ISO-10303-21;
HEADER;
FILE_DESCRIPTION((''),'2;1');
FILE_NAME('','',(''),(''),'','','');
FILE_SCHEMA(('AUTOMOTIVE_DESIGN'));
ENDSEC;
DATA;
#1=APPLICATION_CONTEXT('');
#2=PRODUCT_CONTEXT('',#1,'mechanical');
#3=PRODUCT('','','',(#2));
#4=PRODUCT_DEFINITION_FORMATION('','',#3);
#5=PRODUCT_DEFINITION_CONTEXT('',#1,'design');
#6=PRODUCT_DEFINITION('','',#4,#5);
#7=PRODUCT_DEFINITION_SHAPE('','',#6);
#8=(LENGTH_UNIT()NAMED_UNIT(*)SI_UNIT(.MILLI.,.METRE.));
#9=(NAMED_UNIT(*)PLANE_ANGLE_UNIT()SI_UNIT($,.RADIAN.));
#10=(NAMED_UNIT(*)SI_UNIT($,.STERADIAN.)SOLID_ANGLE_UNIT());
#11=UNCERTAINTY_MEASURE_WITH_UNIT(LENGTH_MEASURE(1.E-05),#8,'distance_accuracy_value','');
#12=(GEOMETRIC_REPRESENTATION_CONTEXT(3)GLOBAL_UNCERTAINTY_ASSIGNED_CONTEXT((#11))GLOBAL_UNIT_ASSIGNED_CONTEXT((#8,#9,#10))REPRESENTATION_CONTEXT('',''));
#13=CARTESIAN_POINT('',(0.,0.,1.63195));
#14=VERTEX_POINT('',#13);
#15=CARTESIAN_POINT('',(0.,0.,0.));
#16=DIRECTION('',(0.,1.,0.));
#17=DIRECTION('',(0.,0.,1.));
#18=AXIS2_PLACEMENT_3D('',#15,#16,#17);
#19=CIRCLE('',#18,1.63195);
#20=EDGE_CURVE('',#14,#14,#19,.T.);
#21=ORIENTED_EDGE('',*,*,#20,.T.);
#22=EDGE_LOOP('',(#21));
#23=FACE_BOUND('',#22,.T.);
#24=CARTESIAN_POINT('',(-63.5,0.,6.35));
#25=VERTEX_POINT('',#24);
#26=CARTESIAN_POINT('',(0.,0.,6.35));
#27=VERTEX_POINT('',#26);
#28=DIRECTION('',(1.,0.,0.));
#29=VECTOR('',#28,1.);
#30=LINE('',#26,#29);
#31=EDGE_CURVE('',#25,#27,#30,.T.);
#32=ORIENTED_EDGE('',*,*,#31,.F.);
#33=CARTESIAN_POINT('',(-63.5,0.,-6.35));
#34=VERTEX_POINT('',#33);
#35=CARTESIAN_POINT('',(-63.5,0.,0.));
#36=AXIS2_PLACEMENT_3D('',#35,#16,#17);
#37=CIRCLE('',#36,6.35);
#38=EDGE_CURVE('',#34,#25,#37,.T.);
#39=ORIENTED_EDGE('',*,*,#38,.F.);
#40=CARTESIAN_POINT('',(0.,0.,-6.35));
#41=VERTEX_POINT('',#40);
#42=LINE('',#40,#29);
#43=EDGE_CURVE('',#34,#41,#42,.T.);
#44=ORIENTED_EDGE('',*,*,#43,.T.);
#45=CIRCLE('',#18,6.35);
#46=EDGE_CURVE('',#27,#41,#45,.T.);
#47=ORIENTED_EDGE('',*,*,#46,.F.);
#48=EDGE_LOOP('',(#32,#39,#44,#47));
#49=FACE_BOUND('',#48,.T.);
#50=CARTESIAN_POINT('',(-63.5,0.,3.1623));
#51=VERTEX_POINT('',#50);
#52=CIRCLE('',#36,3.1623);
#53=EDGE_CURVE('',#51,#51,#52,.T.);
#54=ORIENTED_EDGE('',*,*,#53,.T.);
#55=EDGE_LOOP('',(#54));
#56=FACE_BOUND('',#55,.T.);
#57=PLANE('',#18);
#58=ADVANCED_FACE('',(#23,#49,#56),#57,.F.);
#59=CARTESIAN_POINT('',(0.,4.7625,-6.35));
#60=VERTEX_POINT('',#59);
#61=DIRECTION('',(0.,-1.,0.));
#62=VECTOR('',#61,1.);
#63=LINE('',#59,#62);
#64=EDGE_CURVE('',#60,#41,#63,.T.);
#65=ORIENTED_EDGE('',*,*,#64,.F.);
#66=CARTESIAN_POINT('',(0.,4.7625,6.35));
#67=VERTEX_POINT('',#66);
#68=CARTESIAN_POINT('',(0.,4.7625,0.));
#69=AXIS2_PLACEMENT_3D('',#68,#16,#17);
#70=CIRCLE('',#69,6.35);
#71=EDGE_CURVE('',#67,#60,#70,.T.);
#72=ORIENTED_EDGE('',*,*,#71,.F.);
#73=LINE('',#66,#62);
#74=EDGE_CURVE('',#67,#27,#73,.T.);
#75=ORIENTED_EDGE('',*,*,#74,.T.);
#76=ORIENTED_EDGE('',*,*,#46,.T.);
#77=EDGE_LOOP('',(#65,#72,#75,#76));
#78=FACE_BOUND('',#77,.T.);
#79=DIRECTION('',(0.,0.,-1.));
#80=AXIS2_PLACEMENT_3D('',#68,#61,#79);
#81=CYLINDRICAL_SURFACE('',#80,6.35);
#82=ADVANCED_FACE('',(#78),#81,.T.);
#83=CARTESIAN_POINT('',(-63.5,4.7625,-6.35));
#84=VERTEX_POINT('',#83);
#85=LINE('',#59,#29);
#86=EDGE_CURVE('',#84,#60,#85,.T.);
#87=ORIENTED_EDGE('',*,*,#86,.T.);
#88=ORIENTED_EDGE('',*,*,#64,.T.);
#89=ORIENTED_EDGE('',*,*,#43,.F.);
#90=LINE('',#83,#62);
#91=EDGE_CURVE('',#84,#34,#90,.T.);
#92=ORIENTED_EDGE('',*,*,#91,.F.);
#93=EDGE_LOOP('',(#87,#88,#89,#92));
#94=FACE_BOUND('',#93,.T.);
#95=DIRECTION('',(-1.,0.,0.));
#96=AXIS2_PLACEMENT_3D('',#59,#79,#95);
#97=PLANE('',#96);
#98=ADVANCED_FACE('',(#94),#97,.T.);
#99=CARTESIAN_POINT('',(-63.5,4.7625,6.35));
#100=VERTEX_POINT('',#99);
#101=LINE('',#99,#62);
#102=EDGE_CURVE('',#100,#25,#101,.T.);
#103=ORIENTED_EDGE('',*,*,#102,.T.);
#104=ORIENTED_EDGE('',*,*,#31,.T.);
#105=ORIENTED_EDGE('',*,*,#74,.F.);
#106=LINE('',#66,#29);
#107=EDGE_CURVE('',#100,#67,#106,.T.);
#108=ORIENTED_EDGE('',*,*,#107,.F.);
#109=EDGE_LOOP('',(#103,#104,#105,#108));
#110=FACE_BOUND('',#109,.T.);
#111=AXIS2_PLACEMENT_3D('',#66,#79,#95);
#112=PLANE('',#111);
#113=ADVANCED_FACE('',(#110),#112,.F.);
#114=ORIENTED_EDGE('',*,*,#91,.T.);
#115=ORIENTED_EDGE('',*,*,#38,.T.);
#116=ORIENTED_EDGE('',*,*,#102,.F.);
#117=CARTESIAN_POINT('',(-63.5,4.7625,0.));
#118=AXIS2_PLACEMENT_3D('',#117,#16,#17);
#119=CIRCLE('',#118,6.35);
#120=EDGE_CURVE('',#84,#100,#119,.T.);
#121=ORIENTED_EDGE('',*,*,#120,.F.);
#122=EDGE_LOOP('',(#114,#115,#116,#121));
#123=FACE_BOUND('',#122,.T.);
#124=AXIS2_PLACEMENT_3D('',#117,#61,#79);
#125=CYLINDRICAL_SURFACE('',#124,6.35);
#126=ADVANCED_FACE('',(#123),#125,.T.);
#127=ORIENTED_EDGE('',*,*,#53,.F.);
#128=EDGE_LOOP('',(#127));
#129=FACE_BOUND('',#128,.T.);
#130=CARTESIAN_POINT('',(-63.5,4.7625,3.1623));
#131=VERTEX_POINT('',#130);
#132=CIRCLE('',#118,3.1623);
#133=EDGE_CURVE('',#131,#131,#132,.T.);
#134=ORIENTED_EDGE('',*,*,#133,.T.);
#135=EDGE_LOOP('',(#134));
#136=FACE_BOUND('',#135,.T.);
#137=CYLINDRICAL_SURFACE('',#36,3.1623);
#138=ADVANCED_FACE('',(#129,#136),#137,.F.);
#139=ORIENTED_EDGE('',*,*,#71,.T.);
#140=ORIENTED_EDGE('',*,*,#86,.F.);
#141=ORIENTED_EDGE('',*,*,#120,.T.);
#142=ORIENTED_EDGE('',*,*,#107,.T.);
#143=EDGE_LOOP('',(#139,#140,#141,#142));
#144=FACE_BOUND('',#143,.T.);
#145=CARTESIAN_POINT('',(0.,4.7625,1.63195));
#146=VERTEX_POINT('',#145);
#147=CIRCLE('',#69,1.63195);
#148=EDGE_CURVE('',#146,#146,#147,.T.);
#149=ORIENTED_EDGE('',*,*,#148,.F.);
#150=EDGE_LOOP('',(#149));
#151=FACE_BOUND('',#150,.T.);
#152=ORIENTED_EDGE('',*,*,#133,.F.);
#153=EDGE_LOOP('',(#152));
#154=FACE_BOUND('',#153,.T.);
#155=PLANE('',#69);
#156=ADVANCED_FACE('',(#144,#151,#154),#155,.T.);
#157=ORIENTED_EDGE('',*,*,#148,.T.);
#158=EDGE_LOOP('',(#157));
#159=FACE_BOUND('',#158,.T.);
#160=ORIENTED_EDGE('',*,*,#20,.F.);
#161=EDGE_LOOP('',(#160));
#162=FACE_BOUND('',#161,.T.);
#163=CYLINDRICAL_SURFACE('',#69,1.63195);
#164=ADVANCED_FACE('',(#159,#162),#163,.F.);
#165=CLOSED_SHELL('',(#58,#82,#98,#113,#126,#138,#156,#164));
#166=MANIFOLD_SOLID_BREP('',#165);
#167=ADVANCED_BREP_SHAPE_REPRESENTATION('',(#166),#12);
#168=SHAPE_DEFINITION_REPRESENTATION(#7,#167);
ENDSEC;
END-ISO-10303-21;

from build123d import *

# Parameters (mm, degrees)
BOSS_EXTRUDE2_DEPTH   = 4.7625
F_4_CLEARANCE_HOLE1_D = 3.2639
SKETCH5_R             = 3.1623
CUT_EXTRUDE1_DEPTH    = 5.7625


with BuildPart() as part:
    # Sketch1 → Boss-Extrude2 (new body)
    with BuildSketch(Plane(origin=(0, 0, 0), x_dir=(1, 0, 0), z_dir=(0, 1, 0))):
        with BuildLine():
            Line((-63.5, 6.35), (0, 6.35))
            ThreePointArc((0, 6.35), (6.35, 0), (0, -6.35))
            Line((0, -6.35), (-63.5, -6.35))
            ThreePointArc((-63.5, -6.35), (-69.85, 0), (-63.5, 6.35))
        make_face()
    extrude(amount=BOSS_EXTRUDE2_DEPTH)

    # #4 Clearance Hole1 (through all)
    with Locations(Plane(origin=(0, 4.7625, 0), x_dir=(1, 0, 0), z_dir=(0, 1, 0))):
        with Locations((0, 0)):
            Hole(F_4_CLEARANCE_HOLE1_D / 2)

    # Sketch5 → Cut-Extrude1 (cut, through all)
    with BuildSketch(Plane(origin=(0, 4.7625, 0), x_dir=(1, 0, 0), z_dir=(0, 1, 0))):
        with Locations((-63.5, 0)):
            Circle(SKETCH5_R)
    extrude(amount=-CUT_EXTRUDE1_DEPTH, mode=Mode.SUBTRACT)


solid = part.part
